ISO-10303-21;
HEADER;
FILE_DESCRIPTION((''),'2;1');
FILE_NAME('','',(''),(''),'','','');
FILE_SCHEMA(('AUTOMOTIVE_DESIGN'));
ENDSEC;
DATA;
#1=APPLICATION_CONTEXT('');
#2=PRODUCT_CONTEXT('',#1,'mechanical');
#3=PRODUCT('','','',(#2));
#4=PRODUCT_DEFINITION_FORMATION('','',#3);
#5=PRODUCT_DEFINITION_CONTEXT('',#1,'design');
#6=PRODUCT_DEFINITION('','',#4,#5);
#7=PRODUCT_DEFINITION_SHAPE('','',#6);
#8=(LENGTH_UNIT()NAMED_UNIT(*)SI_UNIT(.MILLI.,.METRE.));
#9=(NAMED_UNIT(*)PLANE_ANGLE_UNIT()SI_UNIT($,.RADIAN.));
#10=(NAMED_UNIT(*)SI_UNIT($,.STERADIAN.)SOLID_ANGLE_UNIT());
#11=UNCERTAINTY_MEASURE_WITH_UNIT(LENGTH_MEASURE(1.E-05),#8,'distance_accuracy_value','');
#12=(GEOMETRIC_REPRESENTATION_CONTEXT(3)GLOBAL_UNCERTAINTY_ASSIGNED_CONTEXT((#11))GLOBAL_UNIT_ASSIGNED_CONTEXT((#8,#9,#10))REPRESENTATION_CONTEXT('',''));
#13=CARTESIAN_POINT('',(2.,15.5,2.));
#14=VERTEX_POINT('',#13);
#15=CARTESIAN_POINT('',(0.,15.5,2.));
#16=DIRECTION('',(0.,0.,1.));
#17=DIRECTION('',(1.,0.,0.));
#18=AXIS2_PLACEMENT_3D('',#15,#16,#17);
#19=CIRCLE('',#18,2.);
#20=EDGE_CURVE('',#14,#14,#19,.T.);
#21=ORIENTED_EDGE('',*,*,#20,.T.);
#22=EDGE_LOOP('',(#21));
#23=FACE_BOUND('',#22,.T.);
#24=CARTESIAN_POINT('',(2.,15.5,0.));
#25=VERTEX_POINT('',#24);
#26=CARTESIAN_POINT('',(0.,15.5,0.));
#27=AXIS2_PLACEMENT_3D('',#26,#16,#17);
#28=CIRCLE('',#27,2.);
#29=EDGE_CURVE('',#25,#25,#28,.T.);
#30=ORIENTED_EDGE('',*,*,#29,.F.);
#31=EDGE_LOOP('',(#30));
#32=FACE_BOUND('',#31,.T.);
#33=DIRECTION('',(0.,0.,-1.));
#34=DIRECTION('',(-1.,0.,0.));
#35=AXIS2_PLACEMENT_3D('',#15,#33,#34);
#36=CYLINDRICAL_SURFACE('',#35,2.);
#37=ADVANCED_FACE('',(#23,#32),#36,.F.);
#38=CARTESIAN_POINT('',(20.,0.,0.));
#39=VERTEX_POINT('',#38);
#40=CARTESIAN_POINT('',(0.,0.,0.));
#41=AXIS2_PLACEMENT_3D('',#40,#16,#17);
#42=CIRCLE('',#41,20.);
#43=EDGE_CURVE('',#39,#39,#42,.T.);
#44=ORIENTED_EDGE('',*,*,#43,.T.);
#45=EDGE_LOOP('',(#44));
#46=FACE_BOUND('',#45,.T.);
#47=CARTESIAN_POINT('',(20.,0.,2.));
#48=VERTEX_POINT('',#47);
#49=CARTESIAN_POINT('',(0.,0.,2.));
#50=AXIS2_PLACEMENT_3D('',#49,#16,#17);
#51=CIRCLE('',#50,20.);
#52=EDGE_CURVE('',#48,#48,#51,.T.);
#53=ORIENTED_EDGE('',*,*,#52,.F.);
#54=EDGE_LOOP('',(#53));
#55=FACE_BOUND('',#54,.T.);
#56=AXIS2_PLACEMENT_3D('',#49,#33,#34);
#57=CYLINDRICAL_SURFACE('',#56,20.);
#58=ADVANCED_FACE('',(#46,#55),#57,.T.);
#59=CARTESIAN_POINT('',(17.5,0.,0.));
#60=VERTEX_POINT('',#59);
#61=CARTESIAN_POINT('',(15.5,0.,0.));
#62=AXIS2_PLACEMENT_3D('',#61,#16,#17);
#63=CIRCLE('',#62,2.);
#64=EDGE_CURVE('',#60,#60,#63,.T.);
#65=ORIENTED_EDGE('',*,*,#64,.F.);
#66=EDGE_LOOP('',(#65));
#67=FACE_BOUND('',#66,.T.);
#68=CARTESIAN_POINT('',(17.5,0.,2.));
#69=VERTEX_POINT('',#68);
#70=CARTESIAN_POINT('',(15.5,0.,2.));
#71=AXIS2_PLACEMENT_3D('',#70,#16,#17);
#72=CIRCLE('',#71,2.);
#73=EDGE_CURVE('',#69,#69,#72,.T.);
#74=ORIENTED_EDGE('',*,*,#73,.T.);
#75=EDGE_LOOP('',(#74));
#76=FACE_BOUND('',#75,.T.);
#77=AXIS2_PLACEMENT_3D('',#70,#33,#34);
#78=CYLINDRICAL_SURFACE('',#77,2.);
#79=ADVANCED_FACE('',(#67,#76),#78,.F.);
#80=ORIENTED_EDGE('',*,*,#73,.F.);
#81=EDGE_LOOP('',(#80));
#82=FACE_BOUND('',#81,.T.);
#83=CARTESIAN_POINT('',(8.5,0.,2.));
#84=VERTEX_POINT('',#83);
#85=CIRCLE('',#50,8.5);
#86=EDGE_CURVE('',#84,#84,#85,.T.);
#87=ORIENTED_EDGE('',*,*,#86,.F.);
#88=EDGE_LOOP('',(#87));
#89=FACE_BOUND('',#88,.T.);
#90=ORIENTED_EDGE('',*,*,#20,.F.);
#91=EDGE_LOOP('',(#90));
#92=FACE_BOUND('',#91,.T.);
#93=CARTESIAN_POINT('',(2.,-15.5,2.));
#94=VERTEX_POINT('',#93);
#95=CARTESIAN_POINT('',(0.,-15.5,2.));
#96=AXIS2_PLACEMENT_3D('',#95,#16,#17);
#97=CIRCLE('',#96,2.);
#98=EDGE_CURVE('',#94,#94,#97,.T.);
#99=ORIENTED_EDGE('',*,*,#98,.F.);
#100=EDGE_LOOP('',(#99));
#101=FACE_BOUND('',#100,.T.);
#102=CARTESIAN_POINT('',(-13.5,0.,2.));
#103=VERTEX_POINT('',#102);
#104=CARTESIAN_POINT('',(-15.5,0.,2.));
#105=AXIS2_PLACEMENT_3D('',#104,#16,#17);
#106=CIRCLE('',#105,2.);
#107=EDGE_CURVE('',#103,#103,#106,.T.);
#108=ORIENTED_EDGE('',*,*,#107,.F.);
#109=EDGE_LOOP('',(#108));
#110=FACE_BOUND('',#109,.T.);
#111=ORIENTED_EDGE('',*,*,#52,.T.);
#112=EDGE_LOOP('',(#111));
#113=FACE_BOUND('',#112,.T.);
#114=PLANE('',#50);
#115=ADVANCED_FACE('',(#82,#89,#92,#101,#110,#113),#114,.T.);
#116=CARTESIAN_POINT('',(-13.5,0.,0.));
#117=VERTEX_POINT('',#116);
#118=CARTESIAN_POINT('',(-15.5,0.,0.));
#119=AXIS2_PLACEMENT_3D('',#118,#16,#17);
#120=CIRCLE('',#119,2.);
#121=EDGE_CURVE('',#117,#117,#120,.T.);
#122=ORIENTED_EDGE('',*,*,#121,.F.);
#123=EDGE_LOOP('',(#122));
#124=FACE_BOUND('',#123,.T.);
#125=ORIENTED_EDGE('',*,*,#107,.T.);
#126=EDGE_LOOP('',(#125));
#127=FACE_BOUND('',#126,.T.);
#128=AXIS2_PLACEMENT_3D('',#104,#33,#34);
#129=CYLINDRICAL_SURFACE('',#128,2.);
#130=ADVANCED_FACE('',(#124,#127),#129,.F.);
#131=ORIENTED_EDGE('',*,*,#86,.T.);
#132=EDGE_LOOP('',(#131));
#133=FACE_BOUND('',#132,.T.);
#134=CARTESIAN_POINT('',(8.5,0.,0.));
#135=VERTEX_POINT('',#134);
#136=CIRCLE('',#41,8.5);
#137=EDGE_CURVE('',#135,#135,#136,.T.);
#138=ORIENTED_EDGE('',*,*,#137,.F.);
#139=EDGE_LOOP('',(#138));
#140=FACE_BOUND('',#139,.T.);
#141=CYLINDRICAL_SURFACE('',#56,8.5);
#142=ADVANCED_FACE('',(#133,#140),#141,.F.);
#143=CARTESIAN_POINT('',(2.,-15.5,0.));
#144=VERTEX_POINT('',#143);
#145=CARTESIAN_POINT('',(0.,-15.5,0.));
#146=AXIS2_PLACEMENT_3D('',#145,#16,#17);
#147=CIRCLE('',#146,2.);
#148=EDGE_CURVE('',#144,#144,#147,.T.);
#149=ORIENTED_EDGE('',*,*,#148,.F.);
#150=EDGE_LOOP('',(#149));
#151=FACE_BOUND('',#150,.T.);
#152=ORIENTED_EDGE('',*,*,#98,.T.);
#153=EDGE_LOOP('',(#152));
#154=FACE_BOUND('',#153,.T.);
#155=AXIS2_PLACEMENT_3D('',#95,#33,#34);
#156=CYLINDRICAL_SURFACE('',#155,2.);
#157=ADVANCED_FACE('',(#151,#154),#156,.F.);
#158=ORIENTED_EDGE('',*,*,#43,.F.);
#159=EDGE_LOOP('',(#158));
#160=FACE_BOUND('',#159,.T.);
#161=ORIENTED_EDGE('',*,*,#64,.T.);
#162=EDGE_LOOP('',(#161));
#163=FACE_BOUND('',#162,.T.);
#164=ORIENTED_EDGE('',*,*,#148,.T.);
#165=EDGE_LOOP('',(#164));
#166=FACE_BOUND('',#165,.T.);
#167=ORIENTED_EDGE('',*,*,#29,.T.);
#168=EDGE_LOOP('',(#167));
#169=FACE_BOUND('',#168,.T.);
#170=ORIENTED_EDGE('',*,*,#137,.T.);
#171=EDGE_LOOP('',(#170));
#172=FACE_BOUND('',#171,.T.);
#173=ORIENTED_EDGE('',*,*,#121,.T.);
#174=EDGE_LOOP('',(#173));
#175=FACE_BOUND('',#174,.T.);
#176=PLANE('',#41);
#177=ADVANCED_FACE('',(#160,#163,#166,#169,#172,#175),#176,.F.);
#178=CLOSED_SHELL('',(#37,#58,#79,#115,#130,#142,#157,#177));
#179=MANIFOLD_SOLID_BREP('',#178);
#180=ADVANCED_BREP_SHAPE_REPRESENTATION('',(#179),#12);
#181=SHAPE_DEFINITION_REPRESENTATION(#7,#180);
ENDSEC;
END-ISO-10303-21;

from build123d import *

# Parameters (mm, degrees)
SKETCH_2_R      = 20
SKETCH_2_R_2    = 8.5
SKETCH_2_R_3    = 2
EXTRUDE_1_DEPTH = 2


with BuildPart() as part:
    # 草图2 → 凸台-拉伸1 (new body)
    with BuildSketch(Plane.XY):
        Circle(SKETCH_2_R)
        Circle(SKETCH_2_R_2, mode=Mode.SUBTRACT)
        with Locations((0, 15.5)):
            Circle(SKETCH_2_R_3, mode=Mode.SUBTRACT)
        with Locations((0, -15.5)):
            Circle(SKETCH_2_R_3, mode=Mode.SUBTRACT)
        with Locations((15.5, 0)):
            Circle(SKETCH_2_R_3, mode=Mode.SUBTRACT)
        with Locations((-15.5, 0)):
            Circle(SKETCH_2_R_3, mode=Mode.SUBTRACT)
    extrude(amount=EXTRUDE_1_DEPTH)


solid = part.part
